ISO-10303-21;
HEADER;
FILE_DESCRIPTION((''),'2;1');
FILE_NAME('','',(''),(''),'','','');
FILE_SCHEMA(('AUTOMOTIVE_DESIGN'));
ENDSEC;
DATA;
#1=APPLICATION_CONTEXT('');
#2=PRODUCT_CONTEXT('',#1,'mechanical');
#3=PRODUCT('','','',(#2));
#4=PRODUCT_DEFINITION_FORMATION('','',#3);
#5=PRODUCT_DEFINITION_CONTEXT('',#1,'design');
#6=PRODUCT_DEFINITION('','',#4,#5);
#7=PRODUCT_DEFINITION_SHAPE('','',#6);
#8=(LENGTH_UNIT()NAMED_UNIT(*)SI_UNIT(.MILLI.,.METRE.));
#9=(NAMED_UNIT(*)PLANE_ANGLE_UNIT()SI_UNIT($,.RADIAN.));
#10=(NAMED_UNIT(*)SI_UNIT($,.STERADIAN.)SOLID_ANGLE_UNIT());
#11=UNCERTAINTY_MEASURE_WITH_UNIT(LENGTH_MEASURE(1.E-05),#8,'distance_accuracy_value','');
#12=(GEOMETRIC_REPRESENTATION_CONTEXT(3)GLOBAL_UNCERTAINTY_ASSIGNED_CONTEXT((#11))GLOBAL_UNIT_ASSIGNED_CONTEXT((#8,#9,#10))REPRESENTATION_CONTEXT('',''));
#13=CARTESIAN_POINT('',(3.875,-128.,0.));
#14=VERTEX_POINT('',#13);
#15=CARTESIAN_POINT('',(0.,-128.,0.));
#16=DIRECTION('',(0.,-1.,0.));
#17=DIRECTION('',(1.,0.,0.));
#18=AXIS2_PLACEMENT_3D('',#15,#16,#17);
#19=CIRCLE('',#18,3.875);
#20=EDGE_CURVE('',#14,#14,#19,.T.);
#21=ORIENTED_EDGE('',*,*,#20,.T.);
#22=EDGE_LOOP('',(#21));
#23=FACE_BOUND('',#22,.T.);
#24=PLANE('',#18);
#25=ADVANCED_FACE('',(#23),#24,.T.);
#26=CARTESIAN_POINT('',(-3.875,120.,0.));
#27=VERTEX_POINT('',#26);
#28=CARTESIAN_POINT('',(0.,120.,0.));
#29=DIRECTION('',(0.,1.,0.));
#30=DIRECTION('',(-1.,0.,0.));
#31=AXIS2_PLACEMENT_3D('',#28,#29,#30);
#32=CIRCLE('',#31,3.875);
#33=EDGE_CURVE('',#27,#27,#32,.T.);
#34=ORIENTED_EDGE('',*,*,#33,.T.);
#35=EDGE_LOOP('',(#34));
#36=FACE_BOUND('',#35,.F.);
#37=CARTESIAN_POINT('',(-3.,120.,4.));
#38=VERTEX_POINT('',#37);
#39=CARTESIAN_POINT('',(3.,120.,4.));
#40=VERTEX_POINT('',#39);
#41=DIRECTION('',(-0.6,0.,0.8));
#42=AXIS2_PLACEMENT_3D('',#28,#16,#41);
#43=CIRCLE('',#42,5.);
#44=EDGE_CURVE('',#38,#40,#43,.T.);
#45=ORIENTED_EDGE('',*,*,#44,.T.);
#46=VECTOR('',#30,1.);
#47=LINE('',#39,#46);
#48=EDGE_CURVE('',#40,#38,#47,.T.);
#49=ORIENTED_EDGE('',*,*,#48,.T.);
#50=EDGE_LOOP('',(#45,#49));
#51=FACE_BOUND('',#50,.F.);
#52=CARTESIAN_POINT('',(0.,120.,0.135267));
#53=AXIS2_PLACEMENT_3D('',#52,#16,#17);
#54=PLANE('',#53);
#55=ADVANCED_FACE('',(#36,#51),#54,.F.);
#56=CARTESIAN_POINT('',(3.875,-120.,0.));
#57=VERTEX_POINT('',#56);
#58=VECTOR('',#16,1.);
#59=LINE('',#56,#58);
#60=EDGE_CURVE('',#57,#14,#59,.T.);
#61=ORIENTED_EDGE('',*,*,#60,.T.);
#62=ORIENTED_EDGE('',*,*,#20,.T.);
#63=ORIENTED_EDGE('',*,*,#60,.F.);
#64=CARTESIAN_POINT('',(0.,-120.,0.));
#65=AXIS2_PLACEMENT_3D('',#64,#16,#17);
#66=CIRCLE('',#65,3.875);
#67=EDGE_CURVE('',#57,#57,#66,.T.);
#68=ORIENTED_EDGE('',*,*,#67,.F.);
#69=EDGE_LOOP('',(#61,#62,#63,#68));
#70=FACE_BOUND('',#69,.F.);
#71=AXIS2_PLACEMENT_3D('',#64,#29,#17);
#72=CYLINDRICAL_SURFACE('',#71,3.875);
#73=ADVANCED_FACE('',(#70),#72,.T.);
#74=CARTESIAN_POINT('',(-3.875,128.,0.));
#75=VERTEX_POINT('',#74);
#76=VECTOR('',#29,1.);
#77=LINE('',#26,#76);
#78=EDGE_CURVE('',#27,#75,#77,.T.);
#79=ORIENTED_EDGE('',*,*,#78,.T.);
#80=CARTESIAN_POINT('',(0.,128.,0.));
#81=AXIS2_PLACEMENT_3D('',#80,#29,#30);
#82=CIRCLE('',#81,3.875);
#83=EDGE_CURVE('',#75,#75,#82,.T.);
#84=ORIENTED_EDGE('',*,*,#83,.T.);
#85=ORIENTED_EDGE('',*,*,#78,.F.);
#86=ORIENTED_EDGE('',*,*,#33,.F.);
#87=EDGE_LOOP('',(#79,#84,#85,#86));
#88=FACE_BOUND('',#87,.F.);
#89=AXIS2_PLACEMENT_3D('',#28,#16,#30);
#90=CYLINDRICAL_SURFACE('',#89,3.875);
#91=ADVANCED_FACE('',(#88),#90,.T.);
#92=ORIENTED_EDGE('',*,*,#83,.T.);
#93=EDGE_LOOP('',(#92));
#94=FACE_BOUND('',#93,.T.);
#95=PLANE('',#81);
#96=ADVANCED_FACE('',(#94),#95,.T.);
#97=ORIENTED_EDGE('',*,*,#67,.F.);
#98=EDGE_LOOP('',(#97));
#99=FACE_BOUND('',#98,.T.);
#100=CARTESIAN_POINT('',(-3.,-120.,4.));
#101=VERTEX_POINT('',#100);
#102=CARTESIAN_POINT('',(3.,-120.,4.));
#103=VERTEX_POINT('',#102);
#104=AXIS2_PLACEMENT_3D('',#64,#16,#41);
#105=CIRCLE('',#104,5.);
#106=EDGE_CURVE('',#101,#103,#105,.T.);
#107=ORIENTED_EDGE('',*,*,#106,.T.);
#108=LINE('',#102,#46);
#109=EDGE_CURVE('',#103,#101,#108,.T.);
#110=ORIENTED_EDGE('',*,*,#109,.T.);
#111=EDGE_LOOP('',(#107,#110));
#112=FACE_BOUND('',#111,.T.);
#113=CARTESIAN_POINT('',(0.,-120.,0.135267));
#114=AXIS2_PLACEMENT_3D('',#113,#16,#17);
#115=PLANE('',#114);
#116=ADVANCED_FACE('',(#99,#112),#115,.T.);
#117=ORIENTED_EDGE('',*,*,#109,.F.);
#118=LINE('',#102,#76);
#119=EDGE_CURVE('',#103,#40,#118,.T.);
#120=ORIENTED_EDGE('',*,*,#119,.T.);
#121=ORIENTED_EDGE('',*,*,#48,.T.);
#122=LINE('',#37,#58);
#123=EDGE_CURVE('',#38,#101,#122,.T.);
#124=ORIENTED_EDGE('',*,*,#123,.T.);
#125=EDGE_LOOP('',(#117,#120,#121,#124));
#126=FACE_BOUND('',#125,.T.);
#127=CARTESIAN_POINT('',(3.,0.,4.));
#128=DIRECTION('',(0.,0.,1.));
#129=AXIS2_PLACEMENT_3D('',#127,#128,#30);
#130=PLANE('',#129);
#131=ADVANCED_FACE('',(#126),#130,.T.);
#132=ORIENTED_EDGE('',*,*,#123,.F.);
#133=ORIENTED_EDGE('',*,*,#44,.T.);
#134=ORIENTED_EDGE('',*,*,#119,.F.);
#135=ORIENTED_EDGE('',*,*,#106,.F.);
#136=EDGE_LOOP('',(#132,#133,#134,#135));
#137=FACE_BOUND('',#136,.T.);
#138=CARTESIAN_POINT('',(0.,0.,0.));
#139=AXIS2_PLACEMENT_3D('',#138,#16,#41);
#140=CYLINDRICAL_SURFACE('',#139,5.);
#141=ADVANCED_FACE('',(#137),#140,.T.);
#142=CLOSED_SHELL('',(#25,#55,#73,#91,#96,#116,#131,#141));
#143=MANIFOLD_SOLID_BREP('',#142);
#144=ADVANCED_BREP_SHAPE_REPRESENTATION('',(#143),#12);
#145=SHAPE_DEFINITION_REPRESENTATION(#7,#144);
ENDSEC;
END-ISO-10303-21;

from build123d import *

# Parameters (mm, degrees)
F1_DEPTH = 120
F3_R     = 3.875
F4_DEPTH = 8
F2_R     = 3.875
F5_DEPTH = 8


with BuildPart() as f1:
    # F0 (on Front) → F1 (new body, symmetric)
    with BuildSketch(Plane.XZ):
        with BuildLine():
            Line((3, 4), (-3, 4))
            ThreePointArc((-3, 4), (0, -5), (3, 4))
        make_face()
    extrude(amount=F1_DEPTH, both=True)

    # F3 (on face) → F4 (join)
    with BuildSketch(Plane.XZ.offset(120)):
        Circle(F3_R)
    extrude(amount=F4_DEPTH)

    # F2 (on face) → F5 (join)
    with BuildSketch(Plane(origin=(0, 120, 0), x_dir=(-1, 0, 0), z_dir=(0, 1, 0))):
        Circle(F2_R)
    extrude(amount=F5_DEPTH)


solid = f1.part
